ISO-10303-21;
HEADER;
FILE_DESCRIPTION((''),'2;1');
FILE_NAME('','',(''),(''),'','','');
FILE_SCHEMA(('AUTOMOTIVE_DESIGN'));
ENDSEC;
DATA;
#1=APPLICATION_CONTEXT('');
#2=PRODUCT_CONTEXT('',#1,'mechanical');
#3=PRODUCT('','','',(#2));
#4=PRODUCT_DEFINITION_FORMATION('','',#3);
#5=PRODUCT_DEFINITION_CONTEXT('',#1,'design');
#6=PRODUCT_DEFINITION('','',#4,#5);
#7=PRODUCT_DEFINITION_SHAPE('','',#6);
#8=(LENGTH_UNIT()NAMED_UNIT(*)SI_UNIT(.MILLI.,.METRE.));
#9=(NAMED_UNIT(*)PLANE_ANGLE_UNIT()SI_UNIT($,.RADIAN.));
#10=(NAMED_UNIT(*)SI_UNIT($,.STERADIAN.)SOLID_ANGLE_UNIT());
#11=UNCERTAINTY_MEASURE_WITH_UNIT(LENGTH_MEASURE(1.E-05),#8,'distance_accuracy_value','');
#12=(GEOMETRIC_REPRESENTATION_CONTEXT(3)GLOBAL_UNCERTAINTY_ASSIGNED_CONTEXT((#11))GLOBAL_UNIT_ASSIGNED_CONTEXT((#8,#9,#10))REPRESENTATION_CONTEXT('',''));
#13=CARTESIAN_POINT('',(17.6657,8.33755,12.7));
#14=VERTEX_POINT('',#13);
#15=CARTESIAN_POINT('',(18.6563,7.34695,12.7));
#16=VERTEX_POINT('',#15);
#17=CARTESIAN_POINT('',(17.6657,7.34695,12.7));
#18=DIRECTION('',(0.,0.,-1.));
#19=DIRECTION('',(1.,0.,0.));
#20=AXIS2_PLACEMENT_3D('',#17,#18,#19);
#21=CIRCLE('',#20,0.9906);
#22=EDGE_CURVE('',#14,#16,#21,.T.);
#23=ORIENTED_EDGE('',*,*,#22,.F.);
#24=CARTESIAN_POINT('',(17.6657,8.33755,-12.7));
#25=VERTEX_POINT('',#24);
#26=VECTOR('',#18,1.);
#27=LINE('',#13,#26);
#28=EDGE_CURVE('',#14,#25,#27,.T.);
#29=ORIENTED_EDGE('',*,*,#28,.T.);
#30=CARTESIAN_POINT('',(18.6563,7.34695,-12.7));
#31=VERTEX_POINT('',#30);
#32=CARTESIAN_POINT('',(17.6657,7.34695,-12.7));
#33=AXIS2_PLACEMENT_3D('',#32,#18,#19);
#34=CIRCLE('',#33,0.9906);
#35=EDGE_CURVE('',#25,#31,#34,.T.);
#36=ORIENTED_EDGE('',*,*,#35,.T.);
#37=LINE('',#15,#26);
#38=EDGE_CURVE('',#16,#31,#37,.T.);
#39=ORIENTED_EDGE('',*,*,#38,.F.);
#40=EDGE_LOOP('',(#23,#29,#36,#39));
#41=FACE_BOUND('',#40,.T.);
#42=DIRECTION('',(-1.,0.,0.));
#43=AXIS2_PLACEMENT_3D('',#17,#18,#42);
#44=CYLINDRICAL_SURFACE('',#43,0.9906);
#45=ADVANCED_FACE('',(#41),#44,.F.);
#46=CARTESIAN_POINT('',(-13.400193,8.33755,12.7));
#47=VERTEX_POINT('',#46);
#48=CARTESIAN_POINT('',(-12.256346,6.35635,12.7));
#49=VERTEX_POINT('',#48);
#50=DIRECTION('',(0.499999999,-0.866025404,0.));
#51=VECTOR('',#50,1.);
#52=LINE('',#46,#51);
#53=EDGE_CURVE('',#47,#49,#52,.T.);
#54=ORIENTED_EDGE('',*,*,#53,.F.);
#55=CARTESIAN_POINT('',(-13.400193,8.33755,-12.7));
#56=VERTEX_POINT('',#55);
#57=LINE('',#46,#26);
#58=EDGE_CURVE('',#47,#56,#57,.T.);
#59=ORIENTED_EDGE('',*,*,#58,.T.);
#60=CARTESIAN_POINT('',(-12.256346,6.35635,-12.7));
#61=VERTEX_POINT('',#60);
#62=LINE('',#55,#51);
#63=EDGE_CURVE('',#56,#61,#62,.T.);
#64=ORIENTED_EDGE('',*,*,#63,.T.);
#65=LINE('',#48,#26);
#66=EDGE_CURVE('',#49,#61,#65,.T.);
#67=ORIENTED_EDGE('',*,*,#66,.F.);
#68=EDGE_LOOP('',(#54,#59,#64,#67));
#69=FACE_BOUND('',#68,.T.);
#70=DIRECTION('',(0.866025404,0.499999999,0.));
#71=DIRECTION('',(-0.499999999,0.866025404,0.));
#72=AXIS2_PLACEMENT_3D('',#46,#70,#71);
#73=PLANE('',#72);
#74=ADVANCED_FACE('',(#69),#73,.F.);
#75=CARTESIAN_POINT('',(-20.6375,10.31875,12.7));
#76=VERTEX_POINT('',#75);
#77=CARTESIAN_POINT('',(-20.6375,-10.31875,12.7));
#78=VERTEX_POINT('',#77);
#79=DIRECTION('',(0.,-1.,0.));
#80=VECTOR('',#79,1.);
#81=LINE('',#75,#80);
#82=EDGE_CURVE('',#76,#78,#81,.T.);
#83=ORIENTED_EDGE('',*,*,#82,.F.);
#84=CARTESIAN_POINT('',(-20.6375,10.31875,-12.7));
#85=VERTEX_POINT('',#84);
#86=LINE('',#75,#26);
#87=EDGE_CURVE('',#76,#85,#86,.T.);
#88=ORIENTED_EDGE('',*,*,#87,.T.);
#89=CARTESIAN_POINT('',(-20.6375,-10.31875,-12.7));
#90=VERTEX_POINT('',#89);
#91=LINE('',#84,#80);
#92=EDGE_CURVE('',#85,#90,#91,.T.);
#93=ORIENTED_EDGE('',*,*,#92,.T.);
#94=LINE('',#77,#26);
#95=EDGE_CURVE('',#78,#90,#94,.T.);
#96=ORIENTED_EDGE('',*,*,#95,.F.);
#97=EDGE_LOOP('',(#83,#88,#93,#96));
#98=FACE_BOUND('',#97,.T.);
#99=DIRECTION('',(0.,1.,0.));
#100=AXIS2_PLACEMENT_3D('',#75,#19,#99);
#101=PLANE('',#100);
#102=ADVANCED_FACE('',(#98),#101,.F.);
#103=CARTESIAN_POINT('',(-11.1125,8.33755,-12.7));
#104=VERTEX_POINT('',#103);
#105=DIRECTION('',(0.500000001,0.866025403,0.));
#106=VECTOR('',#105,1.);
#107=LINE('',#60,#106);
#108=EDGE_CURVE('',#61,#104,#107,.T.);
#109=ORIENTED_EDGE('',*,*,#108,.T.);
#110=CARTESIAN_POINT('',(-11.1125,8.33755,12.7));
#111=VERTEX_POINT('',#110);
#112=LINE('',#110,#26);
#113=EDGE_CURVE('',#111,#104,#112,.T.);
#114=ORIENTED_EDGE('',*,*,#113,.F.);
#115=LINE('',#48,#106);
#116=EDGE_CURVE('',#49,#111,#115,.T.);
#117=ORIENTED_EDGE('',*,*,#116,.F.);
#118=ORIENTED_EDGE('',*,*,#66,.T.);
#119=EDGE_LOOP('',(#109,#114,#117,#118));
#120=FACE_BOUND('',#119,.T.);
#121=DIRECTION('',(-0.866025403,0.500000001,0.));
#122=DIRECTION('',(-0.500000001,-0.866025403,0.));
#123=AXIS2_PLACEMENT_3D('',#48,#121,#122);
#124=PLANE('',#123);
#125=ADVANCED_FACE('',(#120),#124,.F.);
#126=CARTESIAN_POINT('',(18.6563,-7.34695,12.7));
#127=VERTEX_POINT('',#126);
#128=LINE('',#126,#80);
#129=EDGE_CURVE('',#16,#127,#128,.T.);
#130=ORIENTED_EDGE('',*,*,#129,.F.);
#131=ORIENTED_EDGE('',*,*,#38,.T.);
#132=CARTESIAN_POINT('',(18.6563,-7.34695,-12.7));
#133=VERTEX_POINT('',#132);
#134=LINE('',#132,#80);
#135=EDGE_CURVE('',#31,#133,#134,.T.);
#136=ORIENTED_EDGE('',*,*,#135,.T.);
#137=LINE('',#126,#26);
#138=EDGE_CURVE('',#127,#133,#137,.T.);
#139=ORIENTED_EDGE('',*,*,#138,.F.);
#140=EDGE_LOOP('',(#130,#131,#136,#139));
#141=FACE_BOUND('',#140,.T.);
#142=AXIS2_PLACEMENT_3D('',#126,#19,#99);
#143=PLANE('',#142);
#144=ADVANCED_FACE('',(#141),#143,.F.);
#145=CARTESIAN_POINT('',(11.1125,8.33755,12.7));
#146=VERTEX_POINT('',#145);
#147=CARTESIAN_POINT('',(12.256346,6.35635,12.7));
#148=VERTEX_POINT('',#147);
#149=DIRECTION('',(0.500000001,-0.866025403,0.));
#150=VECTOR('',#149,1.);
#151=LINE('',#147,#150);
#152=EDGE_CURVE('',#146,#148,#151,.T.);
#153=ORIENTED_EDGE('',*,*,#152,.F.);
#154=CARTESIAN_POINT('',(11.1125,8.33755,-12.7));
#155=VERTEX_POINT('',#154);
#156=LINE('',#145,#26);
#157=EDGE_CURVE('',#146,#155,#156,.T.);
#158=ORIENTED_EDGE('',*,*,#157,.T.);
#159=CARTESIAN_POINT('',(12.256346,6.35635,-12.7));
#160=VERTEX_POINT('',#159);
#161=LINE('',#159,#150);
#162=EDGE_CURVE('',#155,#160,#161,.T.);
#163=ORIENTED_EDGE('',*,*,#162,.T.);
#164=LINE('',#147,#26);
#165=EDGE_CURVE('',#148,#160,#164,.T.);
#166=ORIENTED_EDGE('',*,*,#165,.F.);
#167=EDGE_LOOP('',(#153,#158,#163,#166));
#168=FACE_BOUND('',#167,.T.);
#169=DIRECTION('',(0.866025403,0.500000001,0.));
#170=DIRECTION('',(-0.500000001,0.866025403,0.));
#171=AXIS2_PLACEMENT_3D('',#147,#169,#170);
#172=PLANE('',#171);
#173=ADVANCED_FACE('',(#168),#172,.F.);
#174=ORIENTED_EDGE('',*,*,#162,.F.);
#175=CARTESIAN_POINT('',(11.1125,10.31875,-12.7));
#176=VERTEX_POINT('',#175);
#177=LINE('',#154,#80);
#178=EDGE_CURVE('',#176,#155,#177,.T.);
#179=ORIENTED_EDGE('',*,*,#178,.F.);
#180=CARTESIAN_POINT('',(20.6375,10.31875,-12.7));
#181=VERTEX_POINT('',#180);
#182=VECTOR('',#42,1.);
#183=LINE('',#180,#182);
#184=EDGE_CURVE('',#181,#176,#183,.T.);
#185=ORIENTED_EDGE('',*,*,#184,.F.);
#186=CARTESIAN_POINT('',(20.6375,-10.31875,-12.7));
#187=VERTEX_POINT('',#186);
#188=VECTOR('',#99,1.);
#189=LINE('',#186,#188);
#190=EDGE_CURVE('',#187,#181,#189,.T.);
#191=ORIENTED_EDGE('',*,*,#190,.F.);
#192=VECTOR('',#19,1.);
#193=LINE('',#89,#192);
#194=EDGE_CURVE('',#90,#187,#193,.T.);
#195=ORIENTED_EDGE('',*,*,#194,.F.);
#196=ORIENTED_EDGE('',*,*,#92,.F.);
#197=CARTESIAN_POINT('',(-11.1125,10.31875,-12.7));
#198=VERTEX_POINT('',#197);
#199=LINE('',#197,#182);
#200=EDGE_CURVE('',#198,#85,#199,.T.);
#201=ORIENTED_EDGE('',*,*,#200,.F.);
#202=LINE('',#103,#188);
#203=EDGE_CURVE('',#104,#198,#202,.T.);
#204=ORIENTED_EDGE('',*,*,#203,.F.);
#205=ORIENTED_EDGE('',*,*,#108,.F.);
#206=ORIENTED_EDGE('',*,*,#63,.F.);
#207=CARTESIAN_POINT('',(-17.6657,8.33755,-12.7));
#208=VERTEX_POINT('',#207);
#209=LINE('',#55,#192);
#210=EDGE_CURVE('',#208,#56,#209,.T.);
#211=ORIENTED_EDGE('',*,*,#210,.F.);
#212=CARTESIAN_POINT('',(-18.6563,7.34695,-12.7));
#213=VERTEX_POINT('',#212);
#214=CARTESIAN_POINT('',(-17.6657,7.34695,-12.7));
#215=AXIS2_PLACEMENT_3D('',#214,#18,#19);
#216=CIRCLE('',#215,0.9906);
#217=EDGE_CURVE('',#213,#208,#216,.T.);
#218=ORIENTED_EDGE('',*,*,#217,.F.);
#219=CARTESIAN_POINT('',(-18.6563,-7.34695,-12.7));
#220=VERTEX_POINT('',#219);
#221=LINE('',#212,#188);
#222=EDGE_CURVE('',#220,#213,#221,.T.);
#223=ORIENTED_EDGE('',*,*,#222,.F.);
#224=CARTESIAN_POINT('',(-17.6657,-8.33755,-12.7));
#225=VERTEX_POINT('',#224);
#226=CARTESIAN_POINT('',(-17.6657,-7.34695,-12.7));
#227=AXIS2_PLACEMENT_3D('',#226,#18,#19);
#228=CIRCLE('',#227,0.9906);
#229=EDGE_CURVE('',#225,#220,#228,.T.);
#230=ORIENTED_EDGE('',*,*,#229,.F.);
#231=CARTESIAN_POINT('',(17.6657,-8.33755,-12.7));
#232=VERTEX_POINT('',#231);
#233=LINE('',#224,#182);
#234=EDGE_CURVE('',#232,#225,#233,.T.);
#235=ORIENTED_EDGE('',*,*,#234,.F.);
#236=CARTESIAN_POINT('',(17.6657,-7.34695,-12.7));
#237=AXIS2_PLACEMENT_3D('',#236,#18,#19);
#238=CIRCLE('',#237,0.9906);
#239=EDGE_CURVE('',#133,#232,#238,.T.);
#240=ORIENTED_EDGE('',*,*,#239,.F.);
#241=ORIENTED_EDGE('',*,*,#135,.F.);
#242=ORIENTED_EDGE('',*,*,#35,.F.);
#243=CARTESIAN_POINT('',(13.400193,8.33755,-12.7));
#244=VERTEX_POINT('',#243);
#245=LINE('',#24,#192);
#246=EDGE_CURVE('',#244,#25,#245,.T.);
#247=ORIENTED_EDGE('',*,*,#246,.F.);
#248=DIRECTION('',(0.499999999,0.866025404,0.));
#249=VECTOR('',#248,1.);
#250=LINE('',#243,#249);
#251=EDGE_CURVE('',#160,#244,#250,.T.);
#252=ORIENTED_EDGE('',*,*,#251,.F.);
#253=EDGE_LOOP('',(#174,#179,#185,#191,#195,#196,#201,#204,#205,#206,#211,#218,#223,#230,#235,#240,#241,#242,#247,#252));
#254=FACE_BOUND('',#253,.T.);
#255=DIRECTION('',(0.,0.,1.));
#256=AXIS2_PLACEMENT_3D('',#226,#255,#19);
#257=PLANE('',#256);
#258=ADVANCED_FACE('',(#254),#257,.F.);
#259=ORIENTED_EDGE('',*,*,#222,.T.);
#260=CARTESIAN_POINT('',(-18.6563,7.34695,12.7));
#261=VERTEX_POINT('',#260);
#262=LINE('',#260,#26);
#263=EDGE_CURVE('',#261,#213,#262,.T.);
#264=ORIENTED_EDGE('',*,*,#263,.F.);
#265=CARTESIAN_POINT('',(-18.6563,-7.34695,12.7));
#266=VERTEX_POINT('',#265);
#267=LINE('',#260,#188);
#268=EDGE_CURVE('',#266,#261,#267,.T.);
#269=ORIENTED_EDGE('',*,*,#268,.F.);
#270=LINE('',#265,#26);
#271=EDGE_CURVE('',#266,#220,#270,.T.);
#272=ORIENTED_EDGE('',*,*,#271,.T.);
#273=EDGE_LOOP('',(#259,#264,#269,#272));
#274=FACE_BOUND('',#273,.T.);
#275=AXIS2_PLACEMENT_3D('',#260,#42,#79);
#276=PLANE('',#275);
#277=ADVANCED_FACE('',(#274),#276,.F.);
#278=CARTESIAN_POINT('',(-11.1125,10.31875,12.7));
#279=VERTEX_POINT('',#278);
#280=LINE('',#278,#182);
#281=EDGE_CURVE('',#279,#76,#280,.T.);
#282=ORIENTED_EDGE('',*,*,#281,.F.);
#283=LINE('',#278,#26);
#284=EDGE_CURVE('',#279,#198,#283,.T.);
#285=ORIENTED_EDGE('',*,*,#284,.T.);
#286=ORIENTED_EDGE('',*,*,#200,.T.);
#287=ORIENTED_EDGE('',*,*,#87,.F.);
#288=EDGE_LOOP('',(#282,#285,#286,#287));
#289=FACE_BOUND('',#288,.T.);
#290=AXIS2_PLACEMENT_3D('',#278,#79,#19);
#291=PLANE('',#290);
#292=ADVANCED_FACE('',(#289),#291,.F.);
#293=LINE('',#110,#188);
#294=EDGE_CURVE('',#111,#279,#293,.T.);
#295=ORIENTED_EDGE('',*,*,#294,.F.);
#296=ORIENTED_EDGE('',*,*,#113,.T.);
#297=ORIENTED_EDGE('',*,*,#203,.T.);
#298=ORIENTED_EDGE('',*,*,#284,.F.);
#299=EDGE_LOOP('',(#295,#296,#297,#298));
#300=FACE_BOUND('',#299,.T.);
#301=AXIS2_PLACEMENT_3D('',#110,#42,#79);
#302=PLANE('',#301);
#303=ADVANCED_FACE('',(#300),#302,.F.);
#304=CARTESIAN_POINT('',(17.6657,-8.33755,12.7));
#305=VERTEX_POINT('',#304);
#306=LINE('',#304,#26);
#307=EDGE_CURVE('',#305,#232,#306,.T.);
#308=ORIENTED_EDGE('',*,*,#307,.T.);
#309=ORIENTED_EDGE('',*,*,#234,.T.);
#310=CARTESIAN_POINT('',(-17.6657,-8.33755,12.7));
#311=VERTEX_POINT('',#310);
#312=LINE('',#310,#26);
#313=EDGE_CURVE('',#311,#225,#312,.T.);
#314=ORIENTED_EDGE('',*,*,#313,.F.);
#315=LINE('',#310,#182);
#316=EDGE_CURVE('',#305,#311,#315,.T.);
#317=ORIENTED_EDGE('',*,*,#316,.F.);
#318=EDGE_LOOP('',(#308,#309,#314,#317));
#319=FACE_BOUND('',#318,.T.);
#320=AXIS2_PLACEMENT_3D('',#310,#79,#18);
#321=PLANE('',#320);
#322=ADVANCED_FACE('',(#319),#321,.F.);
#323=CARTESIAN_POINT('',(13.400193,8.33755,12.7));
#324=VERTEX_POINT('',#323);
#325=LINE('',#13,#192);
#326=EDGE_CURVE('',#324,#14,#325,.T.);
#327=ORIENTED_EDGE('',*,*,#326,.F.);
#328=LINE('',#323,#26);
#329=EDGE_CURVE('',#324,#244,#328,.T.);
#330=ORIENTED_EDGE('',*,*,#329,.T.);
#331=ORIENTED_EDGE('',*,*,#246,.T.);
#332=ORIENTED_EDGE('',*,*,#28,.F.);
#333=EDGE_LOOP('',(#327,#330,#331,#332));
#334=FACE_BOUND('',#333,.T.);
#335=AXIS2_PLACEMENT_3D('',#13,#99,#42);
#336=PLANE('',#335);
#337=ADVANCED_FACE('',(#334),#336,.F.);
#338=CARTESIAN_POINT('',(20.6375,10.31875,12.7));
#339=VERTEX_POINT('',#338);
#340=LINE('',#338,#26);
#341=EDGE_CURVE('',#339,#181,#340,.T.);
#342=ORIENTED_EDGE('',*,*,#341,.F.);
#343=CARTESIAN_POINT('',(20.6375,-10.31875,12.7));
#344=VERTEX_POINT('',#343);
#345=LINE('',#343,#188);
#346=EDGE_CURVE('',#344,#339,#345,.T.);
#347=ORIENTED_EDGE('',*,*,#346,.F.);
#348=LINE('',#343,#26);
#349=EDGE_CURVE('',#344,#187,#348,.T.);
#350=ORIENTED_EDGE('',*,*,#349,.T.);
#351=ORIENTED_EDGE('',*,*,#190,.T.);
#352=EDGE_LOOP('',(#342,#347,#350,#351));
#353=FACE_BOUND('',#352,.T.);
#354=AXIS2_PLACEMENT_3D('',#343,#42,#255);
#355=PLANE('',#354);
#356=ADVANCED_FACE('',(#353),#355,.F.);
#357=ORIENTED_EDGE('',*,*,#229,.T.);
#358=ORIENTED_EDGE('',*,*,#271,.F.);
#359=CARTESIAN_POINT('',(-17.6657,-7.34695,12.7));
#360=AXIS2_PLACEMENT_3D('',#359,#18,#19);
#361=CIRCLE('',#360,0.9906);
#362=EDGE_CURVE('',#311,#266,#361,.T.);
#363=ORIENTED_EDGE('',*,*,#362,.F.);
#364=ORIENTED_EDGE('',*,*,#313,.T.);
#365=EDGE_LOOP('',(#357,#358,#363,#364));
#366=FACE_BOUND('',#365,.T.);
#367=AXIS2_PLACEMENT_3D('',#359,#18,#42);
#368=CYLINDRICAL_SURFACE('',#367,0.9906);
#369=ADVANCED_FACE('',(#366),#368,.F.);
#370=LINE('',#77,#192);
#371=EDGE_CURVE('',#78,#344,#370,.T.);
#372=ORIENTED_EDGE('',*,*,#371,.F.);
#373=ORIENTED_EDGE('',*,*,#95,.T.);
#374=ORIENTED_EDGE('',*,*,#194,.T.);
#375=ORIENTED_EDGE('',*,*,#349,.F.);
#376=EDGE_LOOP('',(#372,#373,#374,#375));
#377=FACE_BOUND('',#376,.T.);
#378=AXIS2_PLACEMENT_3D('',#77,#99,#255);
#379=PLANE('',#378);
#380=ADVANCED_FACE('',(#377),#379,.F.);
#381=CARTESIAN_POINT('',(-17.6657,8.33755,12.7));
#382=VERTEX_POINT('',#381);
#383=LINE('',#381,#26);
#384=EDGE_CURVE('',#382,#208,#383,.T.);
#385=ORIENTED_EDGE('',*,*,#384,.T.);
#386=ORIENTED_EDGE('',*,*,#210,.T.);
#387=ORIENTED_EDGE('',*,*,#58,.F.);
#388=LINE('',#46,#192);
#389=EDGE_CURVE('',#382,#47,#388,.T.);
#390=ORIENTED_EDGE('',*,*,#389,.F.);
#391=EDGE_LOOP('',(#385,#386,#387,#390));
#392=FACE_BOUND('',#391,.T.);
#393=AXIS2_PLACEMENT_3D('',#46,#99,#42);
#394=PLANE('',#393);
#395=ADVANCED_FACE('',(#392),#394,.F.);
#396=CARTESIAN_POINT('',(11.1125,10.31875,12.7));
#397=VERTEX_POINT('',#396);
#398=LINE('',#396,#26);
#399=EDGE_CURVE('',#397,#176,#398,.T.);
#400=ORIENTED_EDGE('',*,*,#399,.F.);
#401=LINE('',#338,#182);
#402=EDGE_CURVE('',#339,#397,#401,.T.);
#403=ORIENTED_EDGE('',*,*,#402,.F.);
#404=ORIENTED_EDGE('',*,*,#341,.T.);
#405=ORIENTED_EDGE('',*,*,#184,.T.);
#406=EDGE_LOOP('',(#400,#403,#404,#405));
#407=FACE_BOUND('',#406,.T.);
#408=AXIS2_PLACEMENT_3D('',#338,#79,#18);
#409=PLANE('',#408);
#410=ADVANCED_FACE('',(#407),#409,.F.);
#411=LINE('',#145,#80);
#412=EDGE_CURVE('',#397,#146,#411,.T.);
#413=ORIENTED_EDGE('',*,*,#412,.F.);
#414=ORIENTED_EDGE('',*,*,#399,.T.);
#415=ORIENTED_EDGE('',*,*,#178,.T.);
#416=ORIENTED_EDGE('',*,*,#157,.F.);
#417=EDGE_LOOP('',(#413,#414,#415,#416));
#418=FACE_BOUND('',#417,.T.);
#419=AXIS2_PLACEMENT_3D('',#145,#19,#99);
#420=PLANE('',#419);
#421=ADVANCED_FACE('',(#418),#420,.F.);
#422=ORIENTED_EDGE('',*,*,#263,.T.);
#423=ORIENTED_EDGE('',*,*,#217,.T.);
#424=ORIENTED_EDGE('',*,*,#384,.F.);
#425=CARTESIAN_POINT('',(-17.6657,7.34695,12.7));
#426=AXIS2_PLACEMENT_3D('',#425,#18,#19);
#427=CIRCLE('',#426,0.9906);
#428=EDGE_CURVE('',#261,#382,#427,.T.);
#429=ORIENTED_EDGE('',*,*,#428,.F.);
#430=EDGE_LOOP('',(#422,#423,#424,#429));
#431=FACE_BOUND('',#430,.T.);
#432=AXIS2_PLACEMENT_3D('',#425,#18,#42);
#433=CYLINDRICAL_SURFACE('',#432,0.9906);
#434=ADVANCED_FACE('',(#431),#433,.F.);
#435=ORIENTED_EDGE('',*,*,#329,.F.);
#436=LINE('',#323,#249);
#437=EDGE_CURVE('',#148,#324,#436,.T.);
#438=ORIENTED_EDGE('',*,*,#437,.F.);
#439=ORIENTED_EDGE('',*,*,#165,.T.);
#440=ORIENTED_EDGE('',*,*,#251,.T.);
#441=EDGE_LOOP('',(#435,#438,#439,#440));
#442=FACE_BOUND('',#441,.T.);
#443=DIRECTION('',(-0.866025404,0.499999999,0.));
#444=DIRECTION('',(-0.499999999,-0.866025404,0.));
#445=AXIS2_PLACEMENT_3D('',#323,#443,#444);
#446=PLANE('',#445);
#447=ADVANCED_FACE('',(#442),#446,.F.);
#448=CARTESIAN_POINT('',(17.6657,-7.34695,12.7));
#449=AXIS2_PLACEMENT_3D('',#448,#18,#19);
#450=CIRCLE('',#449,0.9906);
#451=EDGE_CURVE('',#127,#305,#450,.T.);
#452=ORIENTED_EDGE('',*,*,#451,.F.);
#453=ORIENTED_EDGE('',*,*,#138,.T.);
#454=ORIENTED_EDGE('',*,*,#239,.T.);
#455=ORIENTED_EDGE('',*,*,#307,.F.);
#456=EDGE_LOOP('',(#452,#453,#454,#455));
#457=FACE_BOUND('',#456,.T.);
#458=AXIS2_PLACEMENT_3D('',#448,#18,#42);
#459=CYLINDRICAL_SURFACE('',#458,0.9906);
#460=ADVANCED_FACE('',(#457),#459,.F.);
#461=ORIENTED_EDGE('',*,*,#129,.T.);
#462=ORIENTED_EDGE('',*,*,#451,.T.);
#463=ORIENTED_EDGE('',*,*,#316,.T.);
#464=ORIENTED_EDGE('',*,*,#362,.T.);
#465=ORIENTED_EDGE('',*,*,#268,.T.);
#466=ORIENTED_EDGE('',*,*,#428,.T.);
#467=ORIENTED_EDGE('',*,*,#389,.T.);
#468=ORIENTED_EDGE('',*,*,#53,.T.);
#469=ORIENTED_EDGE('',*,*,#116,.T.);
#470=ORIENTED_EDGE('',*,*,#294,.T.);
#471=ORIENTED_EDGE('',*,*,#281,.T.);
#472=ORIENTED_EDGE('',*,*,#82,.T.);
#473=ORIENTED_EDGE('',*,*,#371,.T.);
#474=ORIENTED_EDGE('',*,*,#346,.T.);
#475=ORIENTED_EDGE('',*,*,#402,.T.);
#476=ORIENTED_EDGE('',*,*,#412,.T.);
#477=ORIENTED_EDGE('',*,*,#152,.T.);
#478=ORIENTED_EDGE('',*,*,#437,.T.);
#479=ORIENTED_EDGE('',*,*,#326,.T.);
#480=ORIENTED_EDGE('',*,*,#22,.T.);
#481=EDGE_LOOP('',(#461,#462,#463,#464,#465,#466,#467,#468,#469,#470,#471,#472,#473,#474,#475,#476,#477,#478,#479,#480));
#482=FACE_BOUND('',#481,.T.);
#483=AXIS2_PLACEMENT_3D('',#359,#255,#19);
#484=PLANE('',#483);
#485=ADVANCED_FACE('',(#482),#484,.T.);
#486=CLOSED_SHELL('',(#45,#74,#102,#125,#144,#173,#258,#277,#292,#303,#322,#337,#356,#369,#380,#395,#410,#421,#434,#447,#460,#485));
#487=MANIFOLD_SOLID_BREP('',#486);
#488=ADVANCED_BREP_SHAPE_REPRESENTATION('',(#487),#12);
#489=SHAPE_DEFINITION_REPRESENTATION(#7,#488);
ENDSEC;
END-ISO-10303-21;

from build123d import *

# Parameters (mm, degrees)
BASE_EXTRUDE_DEPTH = 12.7


with BuildPart() as part:
    # Sketch1 → Base-Extrude (new, symmetric)
    with BuildSketch(Plane.XY):
        with BuildLine():
            Line((-11.1125, 10.31875), (-20.6375, 10.31875))
            Line((-20.6375, 10.31875), (-20.6375, -10.31875))
            Line((-20.6375, -10.31875), (20.6375, -10.31875))
            Line((20.6375, -10.31875), (20.6375, 10.31875))
            Line((20.6375, 10.31875), (11.1125, 10.31875))
            Line((11.1125, 10.31875), (11.1125, 8.33755))
            Line((11.1125, 8.33755), (12.256346355, 6.35635))
            Line((12.256346355, 6.35635), (13.400192707, 8.33755))
            Line((13.400192707, 8.33755), (17.6657, 8.33755))
            ThreePointArc((17.6657, 8.33755), (18.366159977, 8.047409977), (18.6563, 7.34695))
            Line((18.6563, 7.34695), (18.6563, -7.34695))
            ThreePointArc((18.6563, -7.34695), (18.366159977, -8.047409977), (17.6657, -8.33755))
            Line((17.6657, -8.33755), (-17.6657, -8.33755))
            ThreePointArc((-17.6657, -8.33755), (-18.366159977, -8.047409977), (-18.6563, -7.34695))
            Line((-18.6563, -7.34695), (-18.6563, 7.34695))
            ThreePointArc((-18.6563, 7.34695), (-18.366159977, 8.047409977), (-17.6657, 8.33755))
            Line((-17.6657, 8.33755), (-13.400192707, 8.33755))
            Line((-13.400192707, 8.33755), (-12.256346355, 6.35635))
            Line((-12.256346355, 6.35635), (-11.1125, 8.33755))
            Line((-11.1125, 8.33755), (-11.1125, 10.31875))
        make_face()
    extrude(amount=BASE_EXTRUDE_DEPTH, both=True)


solid = part.part
